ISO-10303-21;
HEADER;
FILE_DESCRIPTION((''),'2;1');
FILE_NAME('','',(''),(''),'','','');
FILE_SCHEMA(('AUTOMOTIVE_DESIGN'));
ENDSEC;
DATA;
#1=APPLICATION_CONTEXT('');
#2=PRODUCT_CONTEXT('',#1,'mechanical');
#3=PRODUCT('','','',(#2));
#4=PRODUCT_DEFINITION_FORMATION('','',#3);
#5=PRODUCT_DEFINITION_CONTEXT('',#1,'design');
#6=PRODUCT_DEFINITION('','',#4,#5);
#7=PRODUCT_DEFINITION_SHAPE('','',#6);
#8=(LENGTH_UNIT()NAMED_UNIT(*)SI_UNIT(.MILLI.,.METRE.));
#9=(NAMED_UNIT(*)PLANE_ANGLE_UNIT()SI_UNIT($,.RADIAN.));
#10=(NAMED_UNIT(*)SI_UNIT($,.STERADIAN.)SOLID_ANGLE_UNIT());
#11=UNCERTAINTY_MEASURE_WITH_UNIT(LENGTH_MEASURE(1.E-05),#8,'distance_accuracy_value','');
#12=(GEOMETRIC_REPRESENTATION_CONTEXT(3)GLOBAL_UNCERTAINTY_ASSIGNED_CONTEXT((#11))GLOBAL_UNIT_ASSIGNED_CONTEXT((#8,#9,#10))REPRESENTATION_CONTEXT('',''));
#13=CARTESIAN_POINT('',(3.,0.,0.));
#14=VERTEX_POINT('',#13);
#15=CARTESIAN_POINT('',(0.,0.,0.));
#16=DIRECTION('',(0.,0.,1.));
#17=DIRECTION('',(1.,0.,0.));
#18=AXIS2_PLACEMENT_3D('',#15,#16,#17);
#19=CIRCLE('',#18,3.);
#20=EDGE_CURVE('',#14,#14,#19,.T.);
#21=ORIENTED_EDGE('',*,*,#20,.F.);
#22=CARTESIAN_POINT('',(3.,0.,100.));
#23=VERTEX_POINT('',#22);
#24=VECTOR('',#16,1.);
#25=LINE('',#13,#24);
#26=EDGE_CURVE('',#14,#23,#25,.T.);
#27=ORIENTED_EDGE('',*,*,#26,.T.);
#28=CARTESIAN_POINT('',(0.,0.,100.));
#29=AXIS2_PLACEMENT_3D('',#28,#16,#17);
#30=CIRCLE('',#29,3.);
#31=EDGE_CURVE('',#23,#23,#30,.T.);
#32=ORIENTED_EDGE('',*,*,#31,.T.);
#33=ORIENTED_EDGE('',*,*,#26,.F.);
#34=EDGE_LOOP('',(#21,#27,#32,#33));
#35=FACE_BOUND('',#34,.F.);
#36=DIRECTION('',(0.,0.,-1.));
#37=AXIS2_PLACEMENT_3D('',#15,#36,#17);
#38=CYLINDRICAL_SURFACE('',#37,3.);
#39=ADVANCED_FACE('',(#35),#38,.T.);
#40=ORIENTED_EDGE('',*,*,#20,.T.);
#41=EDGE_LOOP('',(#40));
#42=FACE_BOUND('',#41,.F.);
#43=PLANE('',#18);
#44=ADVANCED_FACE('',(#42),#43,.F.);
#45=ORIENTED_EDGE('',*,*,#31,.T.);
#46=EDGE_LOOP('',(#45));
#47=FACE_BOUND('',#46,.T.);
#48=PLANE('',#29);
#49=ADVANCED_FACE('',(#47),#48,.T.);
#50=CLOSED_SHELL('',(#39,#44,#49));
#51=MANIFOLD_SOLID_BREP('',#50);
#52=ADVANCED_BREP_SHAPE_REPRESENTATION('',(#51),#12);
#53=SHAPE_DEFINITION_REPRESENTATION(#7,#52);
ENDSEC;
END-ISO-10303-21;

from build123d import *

# Parameters (mm, degrees)
SKETCH_1_R      = 3
EXTRUDE_1_DEPTH = 100


with BuildPart() as part:
    # Эскиз1 → Бобышка-Вытянуть1 (new body)
    with BuildSketch(Plane.XY):
        Circle(SKETCH_1_R)
    extrude(amount=EXTRUDE_1_DEPTH)


solid = part.part
